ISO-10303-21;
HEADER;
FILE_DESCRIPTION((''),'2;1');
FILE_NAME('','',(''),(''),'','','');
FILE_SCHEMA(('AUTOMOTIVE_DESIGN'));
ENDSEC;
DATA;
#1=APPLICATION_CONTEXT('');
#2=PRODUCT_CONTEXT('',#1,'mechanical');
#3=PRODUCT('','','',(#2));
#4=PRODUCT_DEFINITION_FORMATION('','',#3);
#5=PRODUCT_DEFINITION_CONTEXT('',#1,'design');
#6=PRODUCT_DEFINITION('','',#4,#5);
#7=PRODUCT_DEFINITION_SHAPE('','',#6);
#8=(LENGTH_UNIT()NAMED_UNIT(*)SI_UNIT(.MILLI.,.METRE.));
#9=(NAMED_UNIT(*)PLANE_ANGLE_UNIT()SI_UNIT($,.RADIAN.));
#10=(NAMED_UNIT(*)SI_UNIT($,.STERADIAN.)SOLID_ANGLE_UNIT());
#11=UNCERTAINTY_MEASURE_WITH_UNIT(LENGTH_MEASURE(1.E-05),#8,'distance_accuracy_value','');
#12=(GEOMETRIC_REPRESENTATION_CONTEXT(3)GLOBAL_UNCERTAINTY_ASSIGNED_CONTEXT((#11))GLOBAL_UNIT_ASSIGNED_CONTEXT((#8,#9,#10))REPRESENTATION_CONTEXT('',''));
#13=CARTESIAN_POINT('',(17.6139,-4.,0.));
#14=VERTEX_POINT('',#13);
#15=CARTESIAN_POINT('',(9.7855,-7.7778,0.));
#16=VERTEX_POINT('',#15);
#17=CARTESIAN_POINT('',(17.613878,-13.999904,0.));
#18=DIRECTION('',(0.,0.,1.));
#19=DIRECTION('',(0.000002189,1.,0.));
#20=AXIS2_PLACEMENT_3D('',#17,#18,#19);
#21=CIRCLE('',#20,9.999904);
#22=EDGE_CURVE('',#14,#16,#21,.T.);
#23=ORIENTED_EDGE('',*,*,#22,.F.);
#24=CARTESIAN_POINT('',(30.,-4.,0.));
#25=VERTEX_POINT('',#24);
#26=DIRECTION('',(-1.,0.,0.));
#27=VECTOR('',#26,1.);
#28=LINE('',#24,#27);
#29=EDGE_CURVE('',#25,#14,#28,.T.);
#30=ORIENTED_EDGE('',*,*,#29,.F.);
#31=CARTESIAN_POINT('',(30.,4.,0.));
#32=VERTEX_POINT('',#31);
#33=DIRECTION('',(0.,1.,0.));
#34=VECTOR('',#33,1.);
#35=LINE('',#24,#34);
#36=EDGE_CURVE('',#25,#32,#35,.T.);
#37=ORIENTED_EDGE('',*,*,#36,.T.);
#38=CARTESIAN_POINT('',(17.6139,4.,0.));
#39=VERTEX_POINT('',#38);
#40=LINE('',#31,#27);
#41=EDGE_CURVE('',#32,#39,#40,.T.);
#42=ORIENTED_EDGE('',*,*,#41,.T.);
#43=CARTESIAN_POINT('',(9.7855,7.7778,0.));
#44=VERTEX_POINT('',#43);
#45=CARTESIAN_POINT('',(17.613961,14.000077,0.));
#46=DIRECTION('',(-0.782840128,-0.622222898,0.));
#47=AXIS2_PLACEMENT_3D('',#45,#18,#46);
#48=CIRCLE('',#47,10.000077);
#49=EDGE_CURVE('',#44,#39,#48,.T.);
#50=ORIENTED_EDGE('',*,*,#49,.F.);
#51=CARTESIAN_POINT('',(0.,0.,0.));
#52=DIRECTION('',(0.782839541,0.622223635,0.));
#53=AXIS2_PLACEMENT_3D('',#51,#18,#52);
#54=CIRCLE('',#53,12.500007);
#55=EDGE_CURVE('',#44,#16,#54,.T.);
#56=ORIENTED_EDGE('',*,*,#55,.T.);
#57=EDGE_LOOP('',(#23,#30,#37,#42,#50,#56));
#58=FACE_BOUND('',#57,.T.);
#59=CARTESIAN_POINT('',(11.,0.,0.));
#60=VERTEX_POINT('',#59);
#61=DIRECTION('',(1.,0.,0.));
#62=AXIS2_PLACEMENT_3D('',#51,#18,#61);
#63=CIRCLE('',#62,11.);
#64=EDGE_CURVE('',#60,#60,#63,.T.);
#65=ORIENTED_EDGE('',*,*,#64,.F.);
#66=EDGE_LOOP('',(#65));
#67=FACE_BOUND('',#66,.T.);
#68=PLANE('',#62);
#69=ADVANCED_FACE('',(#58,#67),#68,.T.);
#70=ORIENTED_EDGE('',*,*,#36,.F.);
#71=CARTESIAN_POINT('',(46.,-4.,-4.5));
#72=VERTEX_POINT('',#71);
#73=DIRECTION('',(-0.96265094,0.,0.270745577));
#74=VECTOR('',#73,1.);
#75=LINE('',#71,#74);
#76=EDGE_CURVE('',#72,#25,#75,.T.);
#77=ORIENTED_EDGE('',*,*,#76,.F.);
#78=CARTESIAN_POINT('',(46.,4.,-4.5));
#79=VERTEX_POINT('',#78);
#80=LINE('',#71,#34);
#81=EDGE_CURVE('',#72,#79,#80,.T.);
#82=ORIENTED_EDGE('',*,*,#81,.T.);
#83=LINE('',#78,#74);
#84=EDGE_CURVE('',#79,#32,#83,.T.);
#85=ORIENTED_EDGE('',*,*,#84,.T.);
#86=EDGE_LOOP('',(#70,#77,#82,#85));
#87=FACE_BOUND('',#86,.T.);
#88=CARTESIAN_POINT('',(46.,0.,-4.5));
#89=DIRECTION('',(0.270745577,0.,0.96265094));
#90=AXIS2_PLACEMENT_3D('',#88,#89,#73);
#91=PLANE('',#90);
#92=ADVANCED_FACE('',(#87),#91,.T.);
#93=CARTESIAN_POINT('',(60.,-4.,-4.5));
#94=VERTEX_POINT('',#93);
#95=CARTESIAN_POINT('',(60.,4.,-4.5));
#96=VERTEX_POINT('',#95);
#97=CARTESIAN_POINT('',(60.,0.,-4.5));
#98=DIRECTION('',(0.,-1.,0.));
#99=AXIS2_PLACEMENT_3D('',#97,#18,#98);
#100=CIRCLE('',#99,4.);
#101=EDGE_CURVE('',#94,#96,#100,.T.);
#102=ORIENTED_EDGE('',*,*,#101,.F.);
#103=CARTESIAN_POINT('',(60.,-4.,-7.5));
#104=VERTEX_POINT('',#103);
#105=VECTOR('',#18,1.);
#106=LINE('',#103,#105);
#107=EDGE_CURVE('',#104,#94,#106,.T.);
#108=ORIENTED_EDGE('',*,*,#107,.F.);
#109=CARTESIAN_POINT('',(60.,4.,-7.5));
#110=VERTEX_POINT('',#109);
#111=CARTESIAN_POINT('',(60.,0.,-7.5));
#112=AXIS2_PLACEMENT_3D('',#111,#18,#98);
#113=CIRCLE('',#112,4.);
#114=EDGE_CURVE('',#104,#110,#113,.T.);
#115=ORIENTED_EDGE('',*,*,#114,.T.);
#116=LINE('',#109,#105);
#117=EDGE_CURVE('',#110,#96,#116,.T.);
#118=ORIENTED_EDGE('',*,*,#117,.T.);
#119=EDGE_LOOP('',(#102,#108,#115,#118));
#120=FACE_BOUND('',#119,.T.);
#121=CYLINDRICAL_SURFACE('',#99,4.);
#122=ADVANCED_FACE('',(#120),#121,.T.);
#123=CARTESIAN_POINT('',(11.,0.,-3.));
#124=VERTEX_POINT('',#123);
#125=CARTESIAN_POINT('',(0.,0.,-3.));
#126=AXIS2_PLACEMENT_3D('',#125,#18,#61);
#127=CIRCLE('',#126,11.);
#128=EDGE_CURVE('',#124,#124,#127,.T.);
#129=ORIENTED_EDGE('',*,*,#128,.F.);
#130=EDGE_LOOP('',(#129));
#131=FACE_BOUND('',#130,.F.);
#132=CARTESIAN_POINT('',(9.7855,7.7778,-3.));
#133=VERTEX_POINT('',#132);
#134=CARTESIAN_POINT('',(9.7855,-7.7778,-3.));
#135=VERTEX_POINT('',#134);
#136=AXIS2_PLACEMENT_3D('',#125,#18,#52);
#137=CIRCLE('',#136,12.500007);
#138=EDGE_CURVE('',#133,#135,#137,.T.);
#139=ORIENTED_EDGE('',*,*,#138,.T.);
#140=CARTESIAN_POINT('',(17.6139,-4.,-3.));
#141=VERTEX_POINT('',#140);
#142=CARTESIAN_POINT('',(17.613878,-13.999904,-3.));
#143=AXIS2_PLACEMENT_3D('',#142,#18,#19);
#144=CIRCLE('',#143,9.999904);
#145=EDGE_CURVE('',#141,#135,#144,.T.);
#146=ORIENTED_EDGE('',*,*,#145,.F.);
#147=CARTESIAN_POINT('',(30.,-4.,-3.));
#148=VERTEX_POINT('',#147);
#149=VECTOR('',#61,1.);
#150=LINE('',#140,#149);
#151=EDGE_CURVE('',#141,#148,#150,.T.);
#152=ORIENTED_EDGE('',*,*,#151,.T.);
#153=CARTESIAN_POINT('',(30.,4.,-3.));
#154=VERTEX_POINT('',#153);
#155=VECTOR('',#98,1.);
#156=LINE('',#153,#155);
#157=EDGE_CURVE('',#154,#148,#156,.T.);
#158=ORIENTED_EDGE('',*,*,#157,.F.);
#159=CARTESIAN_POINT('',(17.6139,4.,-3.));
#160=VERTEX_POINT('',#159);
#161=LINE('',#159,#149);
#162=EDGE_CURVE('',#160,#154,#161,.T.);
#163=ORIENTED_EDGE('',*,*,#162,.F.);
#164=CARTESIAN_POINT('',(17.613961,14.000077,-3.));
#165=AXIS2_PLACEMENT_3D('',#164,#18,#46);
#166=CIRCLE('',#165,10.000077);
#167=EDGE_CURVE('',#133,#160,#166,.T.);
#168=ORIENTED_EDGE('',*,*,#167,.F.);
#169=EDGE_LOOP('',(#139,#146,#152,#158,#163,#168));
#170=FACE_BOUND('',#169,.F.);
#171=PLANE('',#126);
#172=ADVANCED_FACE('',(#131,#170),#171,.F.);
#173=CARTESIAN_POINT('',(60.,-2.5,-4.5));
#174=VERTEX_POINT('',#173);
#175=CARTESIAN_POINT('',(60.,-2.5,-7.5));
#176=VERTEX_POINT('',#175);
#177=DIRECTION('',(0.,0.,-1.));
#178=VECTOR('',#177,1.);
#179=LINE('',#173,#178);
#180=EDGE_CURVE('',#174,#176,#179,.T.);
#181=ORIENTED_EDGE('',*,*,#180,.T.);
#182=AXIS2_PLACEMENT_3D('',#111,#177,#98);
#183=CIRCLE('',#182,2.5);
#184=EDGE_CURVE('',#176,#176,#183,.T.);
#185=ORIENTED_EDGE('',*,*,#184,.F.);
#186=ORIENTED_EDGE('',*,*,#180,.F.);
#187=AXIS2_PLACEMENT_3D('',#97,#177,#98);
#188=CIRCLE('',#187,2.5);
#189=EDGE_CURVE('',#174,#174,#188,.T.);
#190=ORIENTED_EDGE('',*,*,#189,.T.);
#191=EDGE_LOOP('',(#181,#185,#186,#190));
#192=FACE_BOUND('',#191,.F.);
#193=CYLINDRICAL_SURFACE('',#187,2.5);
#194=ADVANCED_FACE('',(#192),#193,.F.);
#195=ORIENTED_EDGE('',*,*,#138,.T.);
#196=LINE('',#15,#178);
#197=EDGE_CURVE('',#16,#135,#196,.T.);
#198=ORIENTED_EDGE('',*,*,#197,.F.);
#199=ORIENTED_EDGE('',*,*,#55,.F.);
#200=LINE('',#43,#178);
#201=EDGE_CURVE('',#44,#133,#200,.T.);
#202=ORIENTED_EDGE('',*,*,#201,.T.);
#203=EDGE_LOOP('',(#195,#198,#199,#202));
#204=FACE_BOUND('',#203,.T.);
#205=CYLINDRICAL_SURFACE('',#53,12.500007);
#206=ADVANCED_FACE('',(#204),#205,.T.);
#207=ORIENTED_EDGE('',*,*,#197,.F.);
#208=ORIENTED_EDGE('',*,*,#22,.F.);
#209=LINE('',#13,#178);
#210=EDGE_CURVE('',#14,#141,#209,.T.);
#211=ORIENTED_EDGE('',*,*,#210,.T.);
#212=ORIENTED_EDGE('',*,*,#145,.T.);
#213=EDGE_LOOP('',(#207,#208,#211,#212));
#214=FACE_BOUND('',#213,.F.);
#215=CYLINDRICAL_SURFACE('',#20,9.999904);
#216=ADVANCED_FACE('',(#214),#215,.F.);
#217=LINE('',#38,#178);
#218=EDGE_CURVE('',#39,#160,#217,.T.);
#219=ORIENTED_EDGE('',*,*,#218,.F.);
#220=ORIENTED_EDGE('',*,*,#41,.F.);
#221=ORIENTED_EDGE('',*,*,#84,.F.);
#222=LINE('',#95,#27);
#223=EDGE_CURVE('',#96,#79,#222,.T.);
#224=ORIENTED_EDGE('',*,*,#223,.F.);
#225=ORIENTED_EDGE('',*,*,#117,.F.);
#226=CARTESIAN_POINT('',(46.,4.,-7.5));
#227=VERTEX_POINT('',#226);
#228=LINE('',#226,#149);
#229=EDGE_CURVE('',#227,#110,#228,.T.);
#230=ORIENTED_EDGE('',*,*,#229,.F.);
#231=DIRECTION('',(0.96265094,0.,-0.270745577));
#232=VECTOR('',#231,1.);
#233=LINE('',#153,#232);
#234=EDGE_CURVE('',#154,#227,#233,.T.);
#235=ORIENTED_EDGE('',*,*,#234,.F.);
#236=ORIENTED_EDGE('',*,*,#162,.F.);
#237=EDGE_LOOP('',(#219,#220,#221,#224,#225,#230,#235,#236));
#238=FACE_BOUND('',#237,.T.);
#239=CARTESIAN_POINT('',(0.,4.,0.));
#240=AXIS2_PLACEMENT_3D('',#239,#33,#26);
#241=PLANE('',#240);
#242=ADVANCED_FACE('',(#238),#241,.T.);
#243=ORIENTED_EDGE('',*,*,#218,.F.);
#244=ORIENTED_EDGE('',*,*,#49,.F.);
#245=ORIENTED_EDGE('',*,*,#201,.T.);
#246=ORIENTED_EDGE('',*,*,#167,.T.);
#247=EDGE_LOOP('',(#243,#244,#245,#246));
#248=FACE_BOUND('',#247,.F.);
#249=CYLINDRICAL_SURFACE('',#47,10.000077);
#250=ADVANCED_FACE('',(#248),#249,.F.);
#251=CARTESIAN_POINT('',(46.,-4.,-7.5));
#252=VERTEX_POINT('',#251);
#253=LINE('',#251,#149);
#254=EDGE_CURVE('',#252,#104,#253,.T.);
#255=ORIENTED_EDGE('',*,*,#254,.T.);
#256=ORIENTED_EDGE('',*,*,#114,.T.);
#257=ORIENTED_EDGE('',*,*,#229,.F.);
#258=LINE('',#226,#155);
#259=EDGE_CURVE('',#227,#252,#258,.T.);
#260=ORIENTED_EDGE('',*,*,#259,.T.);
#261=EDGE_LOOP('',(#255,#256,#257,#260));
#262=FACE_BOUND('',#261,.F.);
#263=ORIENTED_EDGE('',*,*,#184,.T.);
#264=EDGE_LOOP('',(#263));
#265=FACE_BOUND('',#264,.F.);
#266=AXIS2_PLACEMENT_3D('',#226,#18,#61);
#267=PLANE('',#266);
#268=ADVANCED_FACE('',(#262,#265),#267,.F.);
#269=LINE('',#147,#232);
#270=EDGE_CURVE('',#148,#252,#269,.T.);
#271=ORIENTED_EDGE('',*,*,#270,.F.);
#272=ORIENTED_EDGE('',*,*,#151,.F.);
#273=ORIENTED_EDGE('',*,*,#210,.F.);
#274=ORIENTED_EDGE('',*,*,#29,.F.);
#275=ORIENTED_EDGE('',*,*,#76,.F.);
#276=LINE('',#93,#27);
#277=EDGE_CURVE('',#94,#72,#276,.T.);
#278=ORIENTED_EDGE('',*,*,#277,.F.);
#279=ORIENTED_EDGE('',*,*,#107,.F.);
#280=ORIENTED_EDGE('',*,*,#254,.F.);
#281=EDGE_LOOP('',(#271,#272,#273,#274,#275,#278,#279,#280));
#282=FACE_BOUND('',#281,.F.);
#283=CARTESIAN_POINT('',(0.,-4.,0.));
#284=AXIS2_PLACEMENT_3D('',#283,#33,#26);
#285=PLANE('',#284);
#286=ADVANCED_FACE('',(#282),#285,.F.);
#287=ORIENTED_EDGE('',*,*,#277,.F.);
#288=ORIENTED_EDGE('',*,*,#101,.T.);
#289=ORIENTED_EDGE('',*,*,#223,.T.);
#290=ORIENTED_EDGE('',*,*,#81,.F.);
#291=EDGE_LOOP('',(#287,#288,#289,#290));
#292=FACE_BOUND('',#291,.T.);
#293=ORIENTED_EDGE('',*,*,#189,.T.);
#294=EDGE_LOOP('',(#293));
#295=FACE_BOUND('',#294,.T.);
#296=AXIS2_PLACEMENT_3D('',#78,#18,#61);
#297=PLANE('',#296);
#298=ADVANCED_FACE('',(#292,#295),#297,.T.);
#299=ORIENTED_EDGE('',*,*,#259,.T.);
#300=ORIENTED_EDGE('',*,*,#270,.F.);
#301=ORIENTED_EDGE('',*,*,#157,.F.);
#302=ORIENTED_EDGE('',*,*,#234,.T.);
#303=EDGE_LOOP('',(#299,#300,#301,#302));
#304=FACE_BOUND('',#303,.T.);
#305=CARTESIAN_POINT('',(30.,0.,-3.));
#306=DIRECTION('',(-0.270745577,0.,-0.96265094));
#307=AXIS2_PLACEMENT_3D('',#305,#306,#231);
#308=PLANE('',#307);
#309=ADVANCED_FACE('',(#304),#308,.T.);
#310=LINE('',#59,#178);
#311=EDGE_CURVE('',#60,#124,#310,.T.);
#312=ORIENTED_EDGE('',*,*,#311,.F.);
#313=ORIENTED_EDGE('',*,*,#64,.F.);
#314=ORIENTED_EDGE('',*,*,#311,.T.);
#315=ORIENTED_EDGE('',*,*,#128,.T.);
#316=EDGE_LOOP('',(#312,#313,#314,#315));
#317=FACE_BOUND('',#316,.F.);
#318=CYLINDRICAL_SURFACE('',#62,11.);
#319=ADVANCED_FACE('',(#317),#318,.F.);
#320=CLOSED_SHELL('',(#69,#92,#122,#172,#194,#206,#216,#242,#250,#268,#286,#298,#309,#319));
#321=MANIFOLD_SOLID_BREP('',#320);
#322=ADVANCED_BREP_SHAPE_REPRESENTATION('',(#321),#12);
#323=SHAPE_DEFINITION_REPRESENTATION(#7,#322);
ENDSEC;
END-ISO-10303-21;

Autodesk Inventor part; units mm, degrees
ref_plane "YZ Plane" through (0, 0, 0) normal (1, 0, 0) x (0, 1, 0)
ref_plane "XY Plane" through (0, 0, 0) normal (0, 0, 1) x (1, 0, 0)
sketch "Sketch1" plane through (0, 0, 0) normal (0, 0, 1) x (1, 0, 0)
  arc A0 (9.7855, 7.7778) -> (9.7855, -7.7778) centre (0, 0) ccw
  circle A1 centre (0, 0) radius 11
  arc A2 (60, -4) -> (60, 4) centre (60, 0) ccw
  line L0 (60, 4) -> (17.6139, 4) construction
  line L1 (60, -4) -> (17.6139, -4) construction
  arc A3 (17.6139, -4) -> (9.7855, -7.7778) centre (17.6139, -14) ccw
  arc A4 (9.7855, 7.7778) -> (17.6139, 4) centre (17.6139, 14) ccw
  line L2 (30, 4) -> (30, -4) construction
  line L3 (17.6139, -4) -> (17.6139, 4)
  point P0 (11.8427, 4)
  point P1 (11.8427, -4)
  point P2 (-12.5, 0)
  point P3 (30, 0)
  dimension "d0" = 25
  dimension "d1" = 22
  dimension "d2" = 4
  dimension "d3" = 10
  dimension "d4" = 60
  dimension "d17" = 42.5
extrude "Extrusion1" add sketch "Sketch1" against normal blind 3
ref_plane "Work Plane3" through (0, 0, 0) normal (0, 1, 0) x (-1, 0, 0)
sketch "Sketch7" plane through (0, 0, 0) normal (0, 1, 0) x (-1, 0, 0)
  line L0 (-17.6139, 0) -> (-17.6139, -3) projected
  line L1 (-17.6139, -3) -> (-30, -3)
  line L2 (-30, -3) -> (-46, -7.5)
  line L3 (-46, -7.5) -> (-60, -7.5)
  line L4 (-60, -7.5) -> (-60, -4.5)
  line L5 (-60, -4.5) -> (-46, -4.5)
  line L6 (-46, -4.5) -> (-30, 0)
  line L7 (-30, 0) -> (-17.6139, 0)
  line L8 (-17.6139, -3) -> (-17.6139, 0)
  point P0 (0, 0)
  point P1 (-60, -6)
  dimension "d19" = 4.5
  dimension "d20" = 14
  dimension "d21" = 60
  dimension "d22" = 3
extrude "Extrusion3" add sketch "Sketch7" along normal mid plane 8
sketch "Sketch8" plane through (46, 4, -4.5) normal (0, 0, 1) x (1, 0, 0)
  line L0 (14, -8) -> (14, 0) projected
  arc A0 (14, -8) -> (14, 0) centre (14, -4) ccw
  point P0 (-46, -4)
  dimension "d25" = 4
extrude "Extrusion4" add sketch "Sketch8" against normal up to surface (3 mm away)
sketch "Sketch9" plane through (46, -4, -4.5) normal (0, 0, 1) x (1, 0, 0)
  arc A0 (14, 0) -> (14, 8) centre (14, 4) ccw projected
  point P0 (-46, 4)
hole "Hole1" at (60, 0, -4.5) direction (0, 0, -1) diameter 5 depth 3
properties part number "15_2"
